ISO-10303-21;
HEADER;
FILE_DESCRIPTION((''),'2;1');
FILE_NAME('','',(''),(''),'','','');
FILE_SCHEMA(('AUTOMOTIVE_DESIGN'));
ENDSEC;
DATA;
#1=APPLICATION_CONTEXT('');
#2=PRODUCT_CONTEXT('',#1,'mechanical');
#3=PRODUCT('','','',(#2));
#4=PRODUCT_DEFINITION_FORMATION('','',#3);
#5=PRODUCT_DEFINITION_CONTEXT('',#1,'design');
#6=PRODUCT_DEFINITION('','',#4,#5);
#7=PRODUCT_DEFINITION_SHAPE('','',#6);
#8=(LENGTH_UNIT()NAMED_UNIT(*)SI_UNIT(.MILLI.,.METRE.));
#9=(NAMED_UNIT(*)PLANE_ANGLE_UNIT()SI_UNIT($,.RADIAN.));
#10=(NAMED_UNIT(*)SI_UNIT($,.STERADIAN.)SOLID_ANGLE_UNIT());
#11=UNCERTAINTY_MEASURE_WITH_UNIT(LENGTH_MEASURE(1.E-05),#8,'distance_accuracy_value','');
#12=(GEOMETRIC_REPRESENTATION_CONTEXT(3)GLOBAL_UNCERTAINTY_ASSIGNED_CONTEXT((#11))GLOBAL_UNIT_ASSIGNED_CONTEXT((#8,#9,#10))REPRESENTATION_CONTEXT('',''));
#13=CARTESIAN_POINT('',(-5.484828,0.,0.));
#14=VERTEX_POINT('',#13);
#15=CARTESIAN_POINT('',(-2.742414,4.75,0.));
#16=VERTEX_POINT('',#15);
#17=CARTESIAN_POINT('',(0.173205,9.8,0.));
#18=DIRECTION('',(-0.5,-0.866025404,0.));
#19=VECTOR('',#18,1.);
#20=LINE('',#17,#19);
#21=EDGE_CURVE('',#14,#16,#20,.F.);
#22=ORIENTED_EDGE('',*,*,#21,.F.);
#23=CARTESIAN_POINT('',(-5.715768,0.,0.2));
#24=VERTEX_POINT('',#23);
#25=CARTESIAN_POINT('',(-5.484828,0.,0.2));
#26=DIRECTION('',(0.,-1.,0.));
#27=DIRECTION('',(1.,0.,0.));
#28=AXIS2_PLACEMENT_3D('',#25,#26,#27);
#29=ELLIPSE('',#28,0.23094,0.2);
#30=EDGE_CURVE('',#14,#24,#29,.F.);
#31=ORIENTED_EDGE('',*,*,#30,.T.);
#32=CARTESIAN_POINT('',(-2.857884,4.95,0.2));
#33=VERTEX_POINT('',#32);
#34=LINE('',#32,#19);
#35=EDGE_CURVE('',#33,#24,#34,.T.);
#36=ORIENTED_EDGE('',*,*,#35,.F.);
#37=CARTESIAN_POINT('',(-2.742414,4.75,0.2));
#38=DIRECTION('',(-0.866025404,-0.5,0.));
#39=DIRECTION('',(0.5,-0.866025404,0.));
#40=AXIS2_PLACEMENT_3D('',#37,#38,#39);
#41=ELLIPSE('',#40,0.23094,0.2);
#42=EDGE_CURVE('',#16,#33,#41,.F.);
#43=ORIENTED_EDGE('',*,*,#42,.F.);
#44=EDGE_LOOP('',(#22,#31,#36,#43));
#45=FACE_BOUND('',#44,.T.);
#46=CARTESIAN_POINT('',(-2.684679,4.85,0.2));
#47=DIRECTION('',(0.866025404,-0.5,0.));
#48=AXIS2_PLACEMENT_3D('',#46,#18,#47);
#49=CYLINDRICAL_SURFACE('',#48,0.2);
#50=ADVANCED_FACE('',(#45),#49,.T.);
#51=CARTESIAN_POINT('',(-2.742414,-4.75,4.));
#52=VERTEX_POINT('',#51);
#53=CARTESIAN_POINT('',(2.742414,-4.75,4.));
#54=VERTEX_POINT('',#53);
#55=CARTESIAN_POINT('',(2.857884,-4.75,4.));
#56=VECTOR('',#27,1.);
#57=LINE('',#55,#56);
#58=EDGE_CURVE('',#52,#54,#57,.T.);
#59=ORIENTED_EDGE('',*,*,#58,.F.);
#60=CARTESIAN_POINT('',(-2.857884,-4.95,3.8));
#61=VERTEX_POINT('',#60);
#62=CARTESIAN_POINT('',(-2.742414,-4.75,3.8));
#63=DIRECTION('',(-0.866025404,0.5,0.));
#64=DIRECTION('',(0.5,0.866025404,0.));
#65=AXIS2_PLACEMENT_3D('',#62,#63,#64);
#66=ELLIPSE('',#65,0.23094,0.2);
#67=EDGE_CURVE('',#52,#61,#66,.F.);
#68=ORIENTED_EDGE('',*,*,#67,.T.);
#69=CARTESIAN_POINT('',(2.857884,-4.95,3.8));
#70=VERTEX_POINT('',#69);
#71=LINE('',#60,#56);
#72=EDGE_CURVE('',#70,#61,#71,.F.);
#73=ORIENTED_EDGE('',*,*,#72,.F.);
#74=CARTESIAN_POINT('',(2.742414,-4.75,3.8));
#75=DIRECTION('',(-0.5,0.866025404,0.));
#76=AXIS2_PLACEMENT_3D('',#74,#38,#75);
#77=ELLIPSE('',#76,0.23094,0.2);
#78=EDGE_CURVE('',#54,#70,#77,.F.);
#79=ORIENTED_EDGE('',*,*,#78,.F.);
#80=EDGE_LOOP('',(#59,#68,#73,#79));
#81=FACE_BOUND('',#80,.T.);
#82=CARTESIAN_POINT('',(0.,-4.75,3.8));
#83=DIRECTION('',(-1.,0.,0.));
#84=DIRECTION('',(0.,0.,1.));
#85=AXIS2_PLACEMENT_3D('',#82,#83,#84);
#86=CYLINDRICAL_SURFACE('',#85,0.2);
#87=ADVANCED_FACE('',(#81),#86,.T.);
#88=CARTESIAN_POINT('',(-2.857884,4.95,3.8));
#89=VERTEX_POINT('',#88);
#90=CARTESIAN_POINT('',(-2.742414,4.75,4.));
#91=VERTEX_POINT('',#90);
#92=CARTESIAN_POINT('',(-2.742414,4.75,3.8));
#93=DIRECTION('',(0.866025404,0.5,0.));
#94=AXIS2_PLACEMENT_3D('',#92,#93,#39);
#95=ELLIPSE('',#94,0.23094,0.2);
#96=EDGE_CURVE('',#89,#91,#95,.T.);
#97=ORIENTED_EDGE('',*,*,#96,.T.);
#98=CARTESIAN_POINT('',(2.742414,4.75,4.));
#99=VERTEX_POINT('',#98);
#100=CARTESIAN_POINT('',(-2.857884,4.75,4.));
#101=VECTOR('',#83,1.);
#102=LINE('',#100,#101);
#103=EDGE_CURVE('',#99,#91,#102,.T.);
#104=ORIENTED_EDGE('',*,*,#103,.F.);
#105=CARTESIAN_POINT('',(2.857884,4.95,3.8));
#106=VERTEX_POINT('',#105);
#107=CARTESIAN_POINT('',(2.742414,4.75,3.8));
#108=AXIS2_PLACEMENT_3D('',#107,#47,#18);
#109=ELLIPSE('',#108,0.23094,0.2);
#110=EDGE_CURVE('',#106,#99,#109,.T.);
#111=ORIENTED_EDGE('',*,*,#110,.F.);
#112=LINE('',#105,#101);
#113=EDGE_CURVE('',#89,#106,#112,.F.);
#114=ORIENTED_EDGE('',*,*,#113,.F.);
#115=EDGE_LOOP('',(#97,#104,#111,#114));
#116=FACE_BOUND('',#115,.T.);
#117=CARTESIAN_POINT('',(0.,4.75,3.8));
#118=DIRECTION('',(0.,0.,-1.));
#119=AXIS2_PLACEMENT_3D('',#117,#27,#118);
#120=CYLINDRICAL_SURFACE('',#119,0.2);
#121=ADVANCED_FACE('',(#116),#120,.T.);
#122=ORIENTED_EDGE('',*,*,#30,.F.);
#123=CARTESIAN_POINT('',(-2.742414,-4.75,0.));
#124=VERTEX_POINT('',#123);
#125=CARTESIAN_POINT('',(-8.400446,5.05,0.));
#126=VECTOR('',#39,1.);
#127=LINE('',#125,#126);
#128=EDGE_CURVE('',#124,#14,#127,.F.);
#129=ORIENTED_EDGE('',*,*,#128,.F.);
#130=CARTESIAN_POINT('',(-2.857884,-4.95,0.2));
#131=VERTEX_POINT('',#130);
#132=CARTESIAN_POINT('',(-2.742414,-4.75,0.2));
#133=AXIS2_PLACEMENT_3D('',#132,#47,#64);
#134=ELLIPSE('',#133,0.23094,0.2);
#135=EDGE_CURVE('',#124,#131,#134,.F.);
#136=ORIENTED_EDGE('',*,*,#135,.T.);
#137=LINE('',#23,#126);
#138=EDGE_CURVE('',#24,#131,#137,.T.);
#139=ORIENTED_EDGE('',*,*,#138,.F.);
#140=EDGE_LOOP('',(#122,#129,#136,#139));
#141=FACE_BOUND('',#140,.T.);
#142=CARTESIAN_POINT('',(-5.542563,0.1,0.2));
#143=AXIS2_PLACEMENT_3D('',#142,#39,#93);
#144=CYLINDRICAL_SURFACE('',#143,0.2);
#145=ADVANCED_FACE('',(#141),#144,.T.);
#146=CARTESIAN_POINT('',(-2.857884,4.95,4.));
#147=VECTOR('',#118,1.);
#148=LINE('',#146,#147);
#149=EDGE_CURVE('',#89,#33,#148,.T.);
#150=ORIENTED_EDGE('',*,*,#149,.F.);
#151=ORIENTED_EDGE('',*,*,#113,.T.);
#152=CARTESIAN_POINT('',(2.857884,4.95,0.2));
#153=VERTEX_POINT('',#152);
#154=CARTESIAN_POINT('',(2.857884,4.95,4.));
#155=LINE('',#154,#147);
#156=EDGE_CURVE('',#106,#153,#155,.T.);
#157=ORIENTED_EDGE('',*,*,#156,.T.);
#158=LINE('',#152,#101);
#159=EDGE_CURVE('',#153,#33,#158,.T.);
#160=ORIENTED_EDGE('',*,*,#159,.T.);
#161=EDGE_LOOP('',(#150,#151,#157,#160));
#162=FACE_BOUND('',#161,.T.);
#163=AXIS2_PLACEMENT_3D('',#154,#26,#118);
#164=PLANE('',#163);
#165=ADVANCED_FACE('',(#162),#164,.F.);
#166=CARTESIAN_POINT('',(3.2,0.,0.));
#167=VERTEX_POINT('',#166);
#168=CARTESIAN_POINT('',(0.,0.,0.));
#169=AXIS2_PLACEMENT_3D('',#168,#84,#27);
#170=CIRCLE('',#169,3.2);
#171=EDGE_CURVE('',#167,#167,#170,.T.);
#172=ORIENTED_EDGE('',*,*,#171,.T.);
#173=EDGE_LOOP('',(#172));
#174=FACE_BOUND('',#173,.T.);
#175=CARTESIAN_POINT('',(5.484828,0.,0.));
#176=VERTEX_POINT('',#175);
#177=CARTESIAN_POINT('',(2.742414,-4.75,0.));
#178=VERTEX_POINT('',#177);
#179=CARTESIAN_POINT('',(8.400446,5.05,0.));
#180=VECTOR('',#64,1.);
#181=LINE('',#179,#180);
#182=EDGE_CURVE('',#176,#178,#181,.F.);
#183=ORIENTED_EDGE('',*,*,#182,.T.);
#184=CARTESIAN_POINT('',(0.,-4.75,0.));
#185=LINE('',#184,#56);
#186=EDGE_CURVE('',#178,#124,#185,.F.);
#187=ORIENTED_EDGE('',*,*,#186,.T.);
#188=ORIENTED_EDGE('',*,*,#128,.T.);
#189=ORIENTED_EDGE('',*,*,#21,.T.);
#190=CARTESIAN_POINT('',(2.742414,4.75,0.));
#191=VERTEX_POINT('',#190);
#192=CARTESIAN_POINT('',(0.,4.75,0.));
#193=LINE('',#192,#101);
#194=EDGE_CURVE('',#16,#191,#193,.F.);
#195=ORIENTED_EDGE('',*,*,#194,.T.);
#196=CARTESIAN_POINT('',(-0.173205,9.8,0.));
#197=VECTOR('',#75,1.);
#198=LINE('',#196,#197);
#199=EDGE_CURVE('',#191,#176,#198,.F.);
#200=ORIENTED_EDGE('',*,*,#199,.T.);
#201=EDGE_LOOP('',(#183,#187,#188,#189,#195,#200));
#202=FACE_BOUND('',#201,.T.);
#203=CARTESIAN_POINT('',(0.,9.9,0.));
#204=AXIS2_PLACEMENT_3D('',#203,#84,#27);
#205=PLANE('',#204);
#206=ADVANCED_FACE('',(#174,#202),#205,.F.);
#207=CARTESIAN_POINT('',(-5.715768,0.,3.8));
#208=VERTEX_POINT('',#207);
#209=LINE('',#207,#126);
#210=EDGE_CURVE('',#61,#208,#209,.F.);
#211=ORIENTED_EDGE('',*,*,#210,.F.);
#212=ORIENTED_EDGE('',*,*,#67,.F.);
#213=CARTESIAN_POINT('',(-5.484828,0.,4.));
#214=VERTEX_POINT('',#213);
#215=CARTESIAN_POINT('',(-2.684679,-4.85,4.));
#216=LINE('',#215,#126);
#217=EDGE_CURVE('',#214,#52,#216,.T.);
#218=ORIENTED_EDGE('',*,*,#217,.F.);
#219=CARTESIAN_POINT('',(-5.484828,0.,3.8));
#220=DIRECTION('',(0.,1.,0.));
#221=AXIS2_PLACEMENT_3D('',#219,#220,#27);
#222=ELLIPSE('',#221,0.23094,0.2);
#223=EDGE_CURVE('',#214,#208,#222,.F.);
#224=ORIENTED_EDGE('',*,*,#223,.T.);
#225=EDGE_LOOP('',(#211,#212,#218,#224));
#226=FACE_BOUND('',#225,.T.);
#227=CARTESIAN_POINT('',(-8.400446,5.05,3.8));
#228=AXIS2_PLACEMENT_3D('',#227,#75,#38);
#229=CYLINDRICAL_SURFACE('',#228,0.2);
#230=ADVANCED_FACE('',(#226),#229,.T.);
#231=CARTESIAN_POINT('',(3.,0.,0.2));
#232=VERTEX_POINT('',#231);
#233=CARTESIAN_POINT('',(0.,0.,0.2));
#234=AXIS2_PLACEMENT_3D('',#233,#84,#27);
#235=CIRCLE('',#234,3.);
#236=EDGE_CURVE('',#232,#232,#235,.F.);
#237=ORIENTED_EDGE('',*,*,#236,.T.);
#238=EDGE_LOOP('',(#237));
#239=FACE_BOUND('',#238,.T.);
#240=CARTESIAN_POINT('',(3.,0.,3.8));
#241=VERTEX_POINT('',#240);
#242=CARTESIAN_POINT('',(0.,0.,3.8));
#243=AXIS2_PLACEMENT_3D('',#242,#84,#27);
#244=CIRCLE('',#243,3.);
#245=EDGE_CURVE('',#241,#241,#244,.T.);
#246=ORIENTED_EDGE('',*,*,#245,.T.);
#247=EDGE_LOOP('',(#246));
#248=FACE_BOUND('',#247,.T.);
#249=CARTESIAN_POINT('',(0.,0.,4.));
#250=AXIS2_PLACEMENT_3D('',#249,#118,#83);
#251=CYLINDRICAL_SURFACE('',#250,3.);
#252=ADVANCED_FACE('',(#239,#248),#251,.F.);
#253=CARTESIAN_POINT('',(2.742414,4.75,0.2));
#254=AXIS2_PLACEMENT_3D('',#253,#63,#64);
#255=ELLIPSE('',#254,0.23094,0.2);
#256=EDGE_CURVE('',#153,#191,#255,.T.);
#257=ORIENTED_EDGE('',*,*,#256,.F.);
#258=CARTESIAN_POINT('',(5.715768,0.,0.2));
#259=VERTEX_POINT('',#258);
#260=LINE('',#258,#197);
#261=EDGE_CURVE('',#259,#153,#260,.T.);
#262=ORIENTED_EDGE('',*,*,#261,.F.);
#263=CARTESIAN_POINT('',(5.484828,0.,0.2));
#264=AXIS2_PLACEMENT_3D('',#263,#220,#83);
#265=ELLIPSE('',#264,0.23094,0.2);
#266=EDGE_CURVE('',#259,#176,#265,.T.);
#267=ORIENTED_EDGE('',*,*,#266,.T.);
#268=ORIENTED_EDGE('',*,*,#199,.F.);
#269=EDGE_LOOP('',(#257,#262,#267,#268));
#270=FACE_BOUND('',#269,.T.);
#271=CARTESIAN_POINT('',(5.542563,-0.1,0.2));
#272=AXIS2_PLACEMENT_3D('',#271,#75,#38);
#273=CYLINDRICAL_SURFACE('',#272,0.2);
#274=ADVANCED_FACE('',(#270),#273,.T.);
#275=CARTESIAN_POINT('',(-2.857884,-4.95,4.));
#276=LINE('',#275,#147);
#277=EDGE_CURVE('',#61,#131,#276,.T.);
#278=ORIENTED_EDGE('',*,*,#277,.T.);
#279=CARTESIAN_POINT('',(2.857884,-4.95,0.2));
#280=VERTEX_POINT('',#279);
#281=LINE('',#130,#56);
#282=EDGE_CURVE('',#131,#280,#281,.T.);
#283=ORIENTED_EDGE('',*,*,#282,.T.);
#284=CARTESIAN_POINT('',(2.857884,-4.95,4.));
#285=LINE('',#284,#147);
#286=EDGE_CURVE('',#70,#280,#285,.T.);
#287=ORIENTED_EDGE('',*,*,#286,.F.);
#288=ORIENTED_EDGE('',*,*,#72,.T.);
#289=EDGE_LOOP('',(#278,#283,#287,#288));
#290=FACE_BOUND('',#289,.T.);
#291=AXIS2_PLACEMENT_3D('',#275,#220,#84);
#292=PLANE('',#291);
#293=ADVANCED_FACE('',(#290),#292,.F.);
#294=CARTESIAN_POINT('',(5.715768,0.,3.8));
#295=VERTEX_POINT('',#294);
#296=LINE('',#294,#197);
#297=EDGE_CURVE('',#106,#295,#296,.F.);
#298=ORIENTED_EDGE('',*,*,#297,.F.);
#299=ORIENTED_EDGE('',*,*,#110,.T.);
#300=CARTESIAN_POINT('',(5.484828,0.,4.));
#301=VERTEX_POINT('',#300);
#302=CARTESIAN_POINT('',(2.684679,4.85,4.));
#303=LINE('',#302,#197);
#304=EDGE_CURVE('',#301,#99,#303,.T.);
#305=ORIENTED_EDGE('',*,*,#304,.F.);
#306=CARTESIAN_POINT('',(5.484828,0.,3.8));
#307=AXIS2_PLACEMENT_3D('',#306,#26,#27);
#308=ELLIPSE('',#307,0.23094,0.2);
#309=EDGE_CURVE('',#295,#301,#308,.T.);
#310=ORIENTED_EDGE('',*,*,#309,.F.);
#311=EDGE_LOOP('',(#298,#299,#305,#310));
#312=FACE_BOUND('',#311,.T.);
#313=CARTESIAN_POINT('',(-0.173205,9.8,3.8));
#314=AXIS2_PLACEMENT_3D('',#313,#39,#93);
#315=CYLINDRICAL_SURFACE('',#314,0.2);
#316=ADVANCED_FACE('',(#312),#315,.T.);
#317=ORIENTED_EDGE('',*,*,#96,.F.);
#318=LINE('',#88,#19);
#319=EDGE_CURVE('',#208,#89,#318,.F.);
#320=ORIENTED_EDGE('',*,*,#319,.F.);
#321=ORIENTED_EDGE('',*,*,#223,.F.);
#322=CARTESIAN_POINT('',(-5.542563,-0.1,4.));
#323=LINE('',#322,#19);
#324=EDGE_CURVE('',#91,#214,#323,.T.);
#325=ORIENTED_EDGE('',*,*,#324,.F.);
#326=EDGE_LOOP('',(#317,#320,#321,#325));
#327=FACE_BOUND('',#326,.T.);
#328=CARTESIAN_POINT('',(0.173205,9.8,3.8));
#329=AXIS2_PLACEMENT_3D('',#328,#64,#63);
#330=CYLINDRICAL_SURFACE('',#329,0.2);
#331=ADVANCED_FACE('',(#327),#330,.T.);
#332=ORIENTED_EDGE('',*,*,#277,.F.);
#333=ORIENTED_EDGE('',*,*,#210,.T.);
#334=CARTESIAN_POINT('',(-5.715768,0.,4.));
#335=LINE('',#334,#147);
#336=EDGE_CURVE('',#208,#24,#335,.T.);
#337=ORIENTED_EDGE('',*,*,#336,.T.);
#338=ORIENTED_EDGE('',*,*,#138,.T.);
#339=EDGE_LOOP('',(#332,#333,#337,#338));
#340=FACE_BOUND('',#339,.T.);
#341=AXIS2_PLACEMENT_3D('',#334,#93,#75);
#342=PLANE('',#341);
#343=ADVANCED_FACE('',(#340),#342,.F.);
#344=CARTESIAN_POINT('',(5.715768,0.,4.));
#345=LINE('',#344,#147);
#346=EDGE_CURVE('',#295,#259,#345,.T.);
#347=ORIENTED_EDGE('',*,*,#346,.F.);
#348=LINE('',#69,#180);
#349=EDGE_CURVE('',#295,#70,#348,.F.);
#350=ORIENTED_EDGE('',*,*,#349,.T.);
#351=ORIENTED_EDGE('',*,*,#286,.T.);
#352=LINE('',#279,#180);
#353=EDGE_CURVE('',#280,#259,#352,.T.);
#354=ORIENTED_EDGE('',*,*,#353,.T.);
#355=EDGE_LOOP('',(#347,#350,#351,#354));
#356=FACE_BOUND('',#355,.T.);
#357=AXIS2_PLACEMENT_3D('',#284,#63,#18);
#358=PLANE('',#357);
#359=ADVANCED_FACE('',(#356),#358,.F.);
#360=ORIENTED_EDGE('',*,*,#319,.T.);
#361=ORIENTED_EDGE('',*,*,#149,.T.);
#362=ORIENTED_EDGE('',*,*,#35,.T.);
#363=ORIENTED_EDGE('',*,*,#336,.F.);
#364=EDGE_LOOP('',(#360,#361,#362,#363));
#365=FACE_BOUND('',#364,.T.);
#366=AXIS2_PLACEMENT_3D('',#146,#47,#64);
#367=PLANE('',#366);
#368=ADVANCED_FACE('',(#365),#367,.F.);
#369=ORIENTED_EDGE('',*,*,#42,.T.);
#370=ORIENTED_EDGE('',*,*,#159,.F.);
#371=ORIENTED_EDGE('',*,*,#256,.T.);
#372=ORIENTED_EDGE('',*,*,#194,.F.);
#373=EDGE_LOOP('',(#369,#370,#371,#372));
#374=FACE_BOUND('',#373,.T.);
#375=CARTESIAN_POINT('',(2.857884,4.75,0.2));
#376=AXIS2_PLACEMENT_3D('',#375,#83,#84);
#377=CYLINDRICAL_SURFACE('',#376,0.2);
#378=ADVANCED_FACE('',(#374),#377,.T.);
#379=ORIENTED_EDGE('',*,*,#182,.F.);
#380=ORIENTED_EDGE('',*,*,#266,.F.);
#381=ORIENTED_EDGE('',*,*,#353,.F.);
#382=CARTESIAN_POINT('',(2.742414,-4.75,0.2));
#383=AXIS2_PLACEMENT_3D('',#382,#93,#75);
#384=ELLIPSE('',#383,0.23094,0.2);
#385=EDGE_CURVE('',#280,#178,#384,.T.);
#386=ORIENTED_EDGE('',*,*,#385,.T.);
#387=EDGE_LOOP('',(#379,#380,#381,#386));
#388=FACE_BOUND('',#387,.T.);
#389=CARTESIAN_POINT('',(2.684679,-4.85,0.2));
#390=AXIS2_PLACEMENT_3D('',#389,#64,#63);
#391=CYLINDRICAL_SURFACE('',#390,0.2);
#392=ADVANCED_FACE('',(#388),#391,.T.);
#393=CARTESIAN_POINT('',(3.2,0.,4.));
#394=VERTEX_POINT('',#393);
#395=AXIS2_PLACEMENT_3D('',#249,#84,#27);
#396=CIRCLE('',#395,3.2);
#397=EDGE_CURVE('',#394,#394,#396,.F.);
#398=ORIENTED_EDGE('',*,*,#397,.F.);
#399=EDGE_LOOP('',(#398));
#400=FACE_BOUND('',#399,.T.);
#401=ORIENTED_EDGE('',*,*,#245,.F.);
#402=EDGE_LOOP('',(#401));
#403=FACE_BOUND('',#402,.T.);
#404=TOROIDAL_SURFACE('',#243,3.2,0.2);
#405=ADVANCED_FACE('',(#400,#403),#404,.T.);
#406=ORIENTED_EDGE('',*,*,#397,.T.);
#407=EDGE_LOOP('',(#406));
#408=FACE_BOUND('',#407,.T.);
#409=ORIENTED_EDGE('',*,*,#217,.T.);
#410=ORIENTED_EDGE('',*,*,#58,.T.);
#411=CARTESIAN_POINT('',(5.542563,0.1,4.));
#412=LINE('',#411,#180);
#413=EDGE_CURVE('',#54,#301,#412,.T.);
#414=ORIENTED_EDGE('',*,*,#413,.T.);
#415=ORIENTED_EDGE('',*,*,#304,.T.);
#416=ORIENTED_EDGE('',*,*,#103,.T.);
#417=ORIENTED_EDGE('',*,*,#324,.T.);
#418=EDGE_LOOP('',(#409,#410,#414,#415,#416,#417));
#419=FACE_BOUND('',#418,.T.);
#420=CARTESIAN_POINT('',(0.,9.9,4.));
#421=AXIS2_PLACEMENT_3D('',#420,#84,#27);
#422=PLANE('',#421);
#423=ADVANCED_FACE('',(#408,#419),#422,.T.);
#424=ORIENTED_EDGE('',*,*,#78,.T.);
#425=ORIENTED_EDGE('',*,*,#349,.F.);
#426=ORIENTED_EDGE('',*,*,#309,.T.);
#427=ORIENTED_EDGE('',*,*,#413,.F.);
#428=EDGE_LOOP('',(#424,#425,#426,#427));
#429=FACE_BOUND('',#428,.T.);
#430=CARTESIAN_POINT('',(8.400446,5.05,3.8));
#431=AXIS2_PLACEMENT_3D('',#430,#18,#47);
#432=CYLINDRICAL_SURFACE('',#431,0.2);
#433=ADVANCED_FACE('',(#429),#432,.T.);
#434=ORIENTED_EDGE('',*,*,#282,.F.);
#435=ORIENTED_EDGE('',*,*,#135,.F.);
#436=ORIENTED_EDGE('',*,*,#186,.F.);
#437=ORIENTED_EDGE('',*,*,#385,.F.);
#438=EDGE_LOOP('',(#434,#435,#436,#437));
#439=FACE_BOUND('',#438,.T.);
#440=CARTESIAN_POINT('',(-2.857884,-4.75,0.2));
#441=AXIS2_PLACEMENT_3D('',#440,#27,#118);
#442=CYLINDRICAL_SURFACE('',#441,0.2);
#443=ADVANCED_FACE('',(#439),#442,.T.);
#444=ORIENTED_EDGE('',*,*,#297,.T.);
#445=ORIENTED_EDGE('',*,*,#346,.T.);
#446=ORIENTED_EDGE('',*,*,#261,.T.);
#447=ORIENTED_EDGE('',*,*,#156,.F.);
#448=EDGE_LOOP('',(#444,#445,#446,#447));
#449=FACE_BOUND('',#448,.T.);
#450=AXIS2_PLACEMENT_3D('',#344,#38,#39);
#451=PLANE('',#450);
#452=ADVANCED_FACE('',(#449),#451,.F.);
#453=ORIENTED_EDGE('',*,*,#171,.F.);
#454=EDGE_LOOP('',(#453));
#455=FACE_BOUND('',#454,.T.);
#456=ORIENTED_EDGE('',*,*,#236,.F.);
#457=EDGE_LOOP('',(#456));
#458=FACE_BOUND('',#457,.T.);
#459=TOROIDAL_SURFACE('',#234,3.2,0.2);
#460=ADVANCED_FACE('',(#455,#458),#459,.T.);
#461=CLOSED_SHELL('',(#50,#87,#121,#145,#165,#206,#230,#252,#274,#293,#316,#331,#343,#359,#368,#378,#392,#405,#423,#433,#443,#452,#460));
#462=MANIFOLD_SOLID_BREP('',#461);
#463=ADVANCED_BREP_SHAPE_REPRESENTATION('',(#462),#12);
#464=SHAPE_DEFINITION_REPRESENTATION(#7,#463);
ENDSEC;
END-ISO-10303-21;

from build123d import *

# Parameters (mm, degrees)
SKETCH1_R      = 3
EXTRUDE1_DEPTH = 4
FILLET1_R      = 0.2


with BuildPart() as part:
    # Sketch1 → Extrude1 (new body)
    with BuildSketch(Plane.XY):
        Polygon((2.857883832, 4.95), (-2.857883832, 4.95), (-5.715767665, 0), (-2.857883832, -4.95), (2.857883832, -4.95), (5.715767665, 0), align=None)
        Circle(SKETCH1_R, mode=Mode.SUBTRACT)
    extrude(amount=EXTRUDE1_DEPTH)

    # Fillet1
    fillet1_edges = [part.edges().sort_by_distance(p)[0] for p in [
        (-4.286825749, 2.475, 4),
        (-4.286825749, -2.475, 4),
        (-3, 0, 0),
        (0, -4.95, 4),
        (-3, 0, 4),
        (4.286825749, -2.475, 4),
        (4.286825749, 2.475, 4),
        (4.286825749, -2.475, 0),
        (0, -4.95, 0),
        (-4.286825749, -2.475, 0),
        (-4.286825749, 2.475, 0),
        (0, 4.95, 4),
        (0, 4.95, 0),
        (4.286825749, 2.475, 0),
    ]]
    fillet(fillet1_edges, radius=FILLET1_R)


solid = part.part
